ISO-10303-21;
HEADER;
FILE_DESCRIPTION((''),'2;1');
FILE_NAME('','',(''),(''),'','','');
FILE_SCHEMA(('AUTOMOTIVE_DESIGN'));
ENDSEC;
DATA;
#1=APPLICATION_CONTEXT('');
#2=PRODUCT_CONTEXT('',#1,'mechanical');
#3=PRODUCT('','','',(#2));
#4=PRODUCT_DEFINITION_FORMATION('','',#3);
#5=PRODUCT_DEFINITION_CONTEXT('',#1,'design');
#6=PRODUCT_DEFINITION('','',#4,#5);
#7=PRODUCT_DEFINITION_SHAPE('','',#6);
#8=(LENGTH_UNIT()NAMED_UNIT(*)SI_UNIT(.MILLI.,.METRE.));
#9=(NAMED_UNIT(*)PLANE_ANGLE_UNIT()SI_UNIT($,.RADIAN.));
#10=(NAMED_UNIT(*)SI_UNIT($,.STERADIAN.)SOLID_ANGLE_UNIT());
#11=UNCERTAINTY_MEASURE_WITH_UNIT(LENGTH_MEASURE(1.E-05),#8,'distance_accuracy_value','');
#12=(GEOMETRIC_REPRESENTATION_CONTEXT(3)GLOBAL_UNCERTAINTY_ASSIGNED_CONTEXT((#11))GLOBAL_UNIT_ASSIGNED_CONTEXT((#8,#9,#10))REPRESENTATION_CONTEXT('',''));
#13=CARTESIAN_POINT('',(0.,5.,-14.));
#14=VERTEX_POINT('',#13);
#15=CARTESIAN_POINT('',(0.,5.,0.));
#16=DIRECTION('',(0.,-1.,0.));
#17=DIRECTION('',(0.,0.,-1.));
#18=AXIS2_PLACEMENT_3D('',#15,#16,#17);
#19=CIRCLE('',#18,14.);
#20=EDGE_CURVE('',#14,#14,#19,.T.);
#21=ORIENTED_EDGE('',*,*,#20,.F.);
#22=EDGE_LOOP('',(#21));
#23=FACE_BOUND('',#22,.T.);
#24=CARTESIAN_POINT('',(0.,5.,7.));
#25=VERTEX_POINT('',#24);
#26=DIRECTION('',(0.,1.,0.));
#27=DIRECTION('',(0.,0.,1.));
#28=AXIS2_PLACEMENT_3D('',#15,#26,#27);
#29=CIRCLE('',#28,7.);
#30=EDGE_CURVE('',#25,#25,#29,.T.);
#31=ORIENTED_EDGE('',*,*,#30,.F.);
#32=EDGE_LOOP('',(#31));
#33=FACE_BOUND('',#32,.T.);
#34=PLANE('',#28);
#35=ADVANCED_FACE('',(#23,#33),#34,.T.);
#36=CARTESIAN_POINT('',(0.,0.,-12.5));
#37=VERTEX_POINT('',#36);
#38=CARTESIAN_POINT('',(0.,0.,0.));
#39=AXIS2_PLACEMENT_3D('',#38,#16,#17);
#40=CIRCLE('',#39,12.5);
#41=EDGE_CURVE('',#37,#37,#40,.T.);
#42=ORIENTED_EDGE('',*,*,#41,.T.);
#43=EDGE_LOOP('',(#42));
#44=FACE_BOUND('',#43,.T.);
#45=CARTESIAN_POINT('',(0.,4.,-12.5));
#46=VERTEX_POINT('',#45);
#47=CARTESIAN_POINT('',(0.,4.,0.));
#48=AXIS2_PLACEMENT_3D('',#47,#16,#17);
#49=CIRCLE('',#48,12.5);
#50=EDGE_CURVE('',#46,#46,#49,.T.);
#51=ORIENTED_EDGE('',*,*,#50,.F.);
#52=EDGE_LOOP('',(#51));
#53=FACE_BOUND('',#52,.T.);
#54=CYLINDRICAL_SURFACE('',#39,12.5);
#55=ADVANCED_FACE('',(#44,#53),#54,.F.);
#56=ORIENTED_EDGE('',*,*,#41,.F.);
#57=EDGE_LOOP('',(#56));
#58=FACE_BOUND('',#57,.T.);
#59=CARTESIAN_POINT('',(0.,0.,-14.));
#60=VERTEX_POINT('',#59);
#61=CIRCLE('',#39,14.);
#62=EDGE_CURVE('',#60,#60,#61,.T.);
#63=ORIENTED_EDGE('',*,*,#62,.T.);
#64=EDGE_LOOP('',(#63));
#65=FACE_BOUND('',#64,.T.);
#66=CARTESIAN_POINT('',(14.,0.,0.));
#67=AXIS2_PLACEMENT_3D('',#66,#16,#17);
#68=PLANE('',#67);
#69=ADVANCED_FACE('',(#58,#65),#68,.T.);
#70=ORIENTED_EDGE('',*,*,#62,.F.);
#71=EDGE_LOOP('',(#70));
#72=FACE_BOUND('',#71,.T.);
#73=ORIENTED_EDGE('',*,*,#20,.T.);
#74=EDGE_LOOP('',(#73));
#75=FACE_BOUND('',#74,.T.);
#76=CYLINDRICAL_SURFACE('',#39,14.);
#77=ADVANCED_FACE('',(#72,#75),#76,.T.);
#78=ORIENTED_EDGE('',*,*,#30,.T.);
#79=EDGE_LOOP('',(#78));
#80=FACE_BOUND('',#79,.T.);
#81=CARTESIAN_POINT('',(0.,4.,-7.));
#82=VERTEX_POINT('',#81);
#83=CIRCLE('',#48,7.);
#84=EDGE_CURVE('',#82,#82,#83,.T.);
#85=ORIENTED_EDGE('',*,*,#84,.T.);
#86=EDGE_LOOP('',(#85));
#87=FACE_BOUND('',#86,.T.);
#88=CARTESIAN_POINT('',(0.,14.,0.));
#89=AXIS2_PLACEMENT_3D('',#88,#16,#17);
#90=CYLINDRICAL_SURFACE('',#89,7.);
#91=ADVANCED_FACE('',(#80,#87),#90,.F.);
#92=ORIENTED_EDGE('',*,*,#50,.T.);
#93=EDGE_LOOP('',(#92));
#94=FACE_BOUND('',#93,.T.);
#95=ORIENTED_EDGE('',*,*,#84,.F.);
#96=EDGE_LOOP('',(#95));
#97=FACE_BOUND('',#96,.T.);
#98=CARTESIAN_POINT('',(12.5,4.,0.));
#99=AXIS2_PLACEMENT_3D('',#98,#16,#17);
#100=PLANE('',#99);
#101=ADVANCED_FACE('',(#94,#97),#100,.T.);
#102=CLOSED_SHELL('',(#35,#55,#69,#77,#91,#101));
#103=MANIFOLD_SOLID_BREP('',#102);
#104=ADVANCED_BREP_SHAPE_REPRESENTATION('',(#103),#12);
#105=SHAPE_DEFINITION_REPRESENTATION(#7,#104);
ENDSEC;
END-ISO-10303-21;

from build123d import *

# Parameters (mm, degrees)
SKETCH_3_R          = 7
CUT_EXTRUDE_1_DEPTH = 10


with BuildPart() as part:
    # 草图2 → 旋转1 (revolve)
    with BuildSketch(Plane.XY, mode=Mode.PRIVATE) as revolve_1_sk:
        Polygon((0, 5), (14, 5), (14, 0), (12.5, 0), (12.5, 4), (0, 4), align=None)
    revolve(revolve_1_sk.sketch.rotate(Axis((0, 0, 0), (0, 1, 0)), 90), axis=Axis((0, 0, 0), (0, 1, 0)))

    # 草图3 → 切除-拉伸1 (cut)
    with BuildSketch(Plane.XZ.offset(-4)):
        with Locations(Location((0, 0, 0), (0, 0, 270))):
            Circle(SKETCH_3_R)
    extrude(amount=-CUT_EXTRUDE_1_DEPTH, mode=Mode.SUBTRACT)


solid = part.part
